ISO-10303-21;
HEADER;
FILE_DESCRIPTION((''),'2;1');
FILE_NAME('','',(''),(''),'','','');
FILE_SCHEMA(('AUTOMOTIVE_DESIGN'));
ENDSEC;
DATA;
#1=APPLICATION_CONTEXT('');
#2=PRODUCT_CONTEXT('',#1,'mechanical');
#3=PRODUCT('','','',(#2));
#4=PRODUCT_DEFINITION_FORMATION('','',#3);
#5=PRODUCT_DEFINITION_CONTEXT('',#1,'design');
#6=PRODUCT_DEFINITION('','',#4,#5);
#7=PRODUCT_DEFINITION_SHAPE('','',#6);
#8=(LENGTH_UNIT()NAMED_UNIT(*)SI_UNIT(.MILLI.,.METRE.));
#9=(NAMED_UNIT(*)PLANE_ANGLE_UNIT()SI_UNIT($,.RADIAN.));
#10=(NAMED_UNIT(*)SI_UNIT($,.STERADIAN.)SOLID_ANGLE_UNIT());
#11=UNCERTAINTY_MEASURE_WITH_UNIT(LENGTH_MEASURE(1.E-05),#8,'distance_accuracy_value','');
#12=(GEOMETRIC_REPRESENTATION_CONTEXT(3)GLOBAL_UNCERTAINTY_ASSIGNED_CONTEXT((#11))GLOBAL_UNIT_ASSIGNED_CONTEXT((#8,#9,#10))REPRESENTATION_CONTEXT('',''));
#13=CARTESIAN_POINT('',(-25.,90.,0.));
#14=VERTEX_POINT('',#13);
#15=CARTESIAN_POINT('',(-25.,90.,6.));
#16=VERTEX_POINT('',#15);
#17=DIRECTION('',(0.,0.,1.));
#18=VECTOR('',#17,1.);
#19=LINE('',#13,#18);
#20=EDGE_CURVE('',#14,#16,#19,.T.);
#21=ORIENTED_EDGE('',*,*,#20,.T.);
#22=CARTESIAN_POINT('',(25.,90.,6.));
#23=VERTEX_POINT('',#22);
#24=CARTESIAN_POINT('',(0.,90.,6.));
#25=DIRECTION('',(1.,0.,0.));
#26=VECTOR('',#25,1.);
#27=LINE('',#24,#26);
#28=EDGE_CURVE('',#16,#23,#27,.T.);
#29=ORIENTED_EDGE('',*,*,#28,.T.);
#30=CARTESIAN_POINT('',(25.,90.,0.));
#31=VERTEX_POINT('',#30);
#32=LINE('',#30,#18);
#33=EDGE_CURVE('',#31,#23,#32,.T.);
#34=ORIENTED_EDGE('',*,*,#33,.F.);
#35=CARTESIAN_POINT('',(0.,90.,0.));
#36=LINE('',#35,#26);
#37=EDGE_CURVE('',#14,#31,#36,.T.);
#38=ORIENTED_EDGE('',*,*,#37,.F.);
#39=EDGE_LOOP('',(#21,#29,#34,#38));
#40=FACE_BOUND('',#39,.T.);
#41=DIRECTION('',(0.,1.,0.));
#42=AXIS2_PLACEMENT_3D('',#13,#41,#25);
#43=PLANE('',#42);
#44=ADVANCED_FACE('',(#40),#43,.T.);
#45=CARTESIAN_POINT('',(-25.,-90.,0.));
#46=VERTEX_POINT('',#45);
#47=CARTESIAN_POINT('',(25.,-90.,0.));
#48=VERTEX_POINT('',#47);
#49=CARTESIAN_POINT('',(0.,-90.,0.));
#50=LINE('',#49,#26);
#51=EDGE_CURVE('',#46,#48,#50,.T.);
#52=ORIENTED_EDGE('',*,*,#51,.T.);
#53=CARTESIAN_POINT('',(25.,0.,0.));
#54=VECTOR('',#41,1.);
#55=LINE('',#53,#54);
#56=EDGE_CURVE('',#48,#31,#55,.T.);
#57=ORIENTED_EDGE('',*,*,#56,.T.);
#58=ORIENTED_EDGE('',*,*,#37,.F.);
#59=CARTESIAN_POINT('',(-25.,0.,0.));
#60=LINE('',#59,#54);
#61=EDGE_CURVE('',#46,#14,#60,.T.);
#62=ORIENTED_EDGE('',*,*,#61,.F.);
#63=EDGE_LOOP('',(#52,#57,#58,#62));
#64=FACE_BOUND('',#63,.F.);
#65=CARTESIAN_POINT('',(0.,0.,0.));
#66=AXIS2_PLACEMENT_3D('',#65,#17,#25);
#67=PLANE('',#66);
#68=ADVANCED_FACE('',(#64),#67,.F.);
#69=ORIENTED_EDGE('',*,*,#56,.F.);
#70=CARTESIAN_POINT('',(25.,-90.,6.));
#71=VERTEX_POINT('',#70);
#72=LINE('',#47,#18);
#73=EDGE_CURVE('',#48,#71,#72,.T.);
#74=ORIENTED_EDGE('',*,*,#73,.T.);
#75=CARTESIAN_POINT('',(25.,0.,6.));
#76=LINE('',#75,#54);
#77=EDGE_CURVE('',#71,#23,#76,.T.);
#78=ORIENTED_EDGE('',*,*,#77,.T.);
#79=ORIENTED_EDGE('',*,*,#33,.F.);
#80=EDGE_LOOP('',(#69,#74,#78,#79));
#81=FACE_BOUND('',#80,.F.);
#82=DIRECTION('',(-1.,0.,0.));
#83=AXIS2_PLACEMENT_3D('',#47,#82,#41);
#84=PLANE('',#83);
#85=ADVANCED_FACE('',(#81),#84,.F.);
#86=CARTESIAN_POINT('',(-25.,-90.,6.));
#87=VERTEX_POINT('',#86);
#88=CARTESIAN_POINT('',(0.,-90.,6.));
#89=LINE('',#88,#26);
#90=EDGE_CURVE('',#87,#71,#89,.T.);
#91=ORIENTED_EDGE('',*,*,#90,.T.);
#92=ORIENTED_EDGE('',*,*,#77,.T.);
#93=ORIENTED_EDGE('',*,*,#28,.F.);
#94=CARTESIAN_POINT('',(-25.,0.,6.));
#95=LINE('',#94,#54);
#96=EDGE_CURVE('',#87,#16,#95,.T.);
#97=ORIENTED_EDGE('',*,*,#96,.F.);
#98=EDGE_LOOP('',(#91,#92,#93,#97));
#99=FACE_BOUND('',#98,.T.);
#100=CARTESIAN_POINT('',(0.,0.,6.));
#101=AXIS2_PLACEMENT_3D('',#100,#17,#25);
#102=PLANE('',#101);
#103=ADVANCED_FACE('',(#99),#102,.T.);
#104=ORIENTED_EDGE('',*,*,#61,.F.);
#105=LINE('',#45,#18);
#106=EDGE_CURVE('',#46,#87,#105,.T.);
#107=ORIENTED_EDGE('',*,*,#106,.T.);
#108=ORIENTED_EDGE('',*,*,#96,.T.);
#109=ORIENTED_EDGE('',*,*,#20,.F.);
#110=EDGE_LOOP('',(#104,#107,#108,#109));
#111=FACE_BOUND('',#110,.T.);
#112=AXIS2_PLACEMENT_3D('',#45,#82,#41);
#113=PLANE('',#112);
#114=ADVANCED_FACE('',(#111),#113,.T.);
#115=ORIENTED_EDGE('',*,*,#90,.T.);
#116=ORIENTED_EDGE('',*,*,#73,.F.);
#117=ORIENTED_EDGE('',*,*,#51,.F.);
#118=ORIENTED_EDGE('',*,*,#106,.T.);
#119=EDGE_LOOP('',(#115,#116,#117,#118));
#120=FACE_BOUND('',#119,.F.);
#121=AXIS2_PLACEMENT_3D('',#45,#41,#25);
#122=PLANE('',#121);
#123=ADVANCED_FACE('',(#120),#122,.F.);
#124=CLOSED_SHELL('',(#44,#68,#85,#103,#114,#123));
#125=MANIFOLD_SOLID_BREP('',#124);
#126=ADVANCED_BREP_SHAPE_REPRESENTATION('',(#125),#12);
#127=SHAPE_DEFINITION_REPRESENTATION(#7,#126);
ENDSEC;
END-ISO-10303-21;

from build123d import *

# Parameters (mm, degrees)
CROQUIS1_W              = 50
CROQUIS1_H              = 180
SALIENTE_EXTRUIR1_DEPTH = 6


with BuildPart() as part:
    # Croquis1 → Saliente-Extruir1 (new body)
    with BuildSketch(Plane.XY):
        Rectangle(CROQUIS1_W, CROQUIS1_H)
    extrude(amount=SALIENTE_EXTRUIR1_DEPTH)


solid = part.part
